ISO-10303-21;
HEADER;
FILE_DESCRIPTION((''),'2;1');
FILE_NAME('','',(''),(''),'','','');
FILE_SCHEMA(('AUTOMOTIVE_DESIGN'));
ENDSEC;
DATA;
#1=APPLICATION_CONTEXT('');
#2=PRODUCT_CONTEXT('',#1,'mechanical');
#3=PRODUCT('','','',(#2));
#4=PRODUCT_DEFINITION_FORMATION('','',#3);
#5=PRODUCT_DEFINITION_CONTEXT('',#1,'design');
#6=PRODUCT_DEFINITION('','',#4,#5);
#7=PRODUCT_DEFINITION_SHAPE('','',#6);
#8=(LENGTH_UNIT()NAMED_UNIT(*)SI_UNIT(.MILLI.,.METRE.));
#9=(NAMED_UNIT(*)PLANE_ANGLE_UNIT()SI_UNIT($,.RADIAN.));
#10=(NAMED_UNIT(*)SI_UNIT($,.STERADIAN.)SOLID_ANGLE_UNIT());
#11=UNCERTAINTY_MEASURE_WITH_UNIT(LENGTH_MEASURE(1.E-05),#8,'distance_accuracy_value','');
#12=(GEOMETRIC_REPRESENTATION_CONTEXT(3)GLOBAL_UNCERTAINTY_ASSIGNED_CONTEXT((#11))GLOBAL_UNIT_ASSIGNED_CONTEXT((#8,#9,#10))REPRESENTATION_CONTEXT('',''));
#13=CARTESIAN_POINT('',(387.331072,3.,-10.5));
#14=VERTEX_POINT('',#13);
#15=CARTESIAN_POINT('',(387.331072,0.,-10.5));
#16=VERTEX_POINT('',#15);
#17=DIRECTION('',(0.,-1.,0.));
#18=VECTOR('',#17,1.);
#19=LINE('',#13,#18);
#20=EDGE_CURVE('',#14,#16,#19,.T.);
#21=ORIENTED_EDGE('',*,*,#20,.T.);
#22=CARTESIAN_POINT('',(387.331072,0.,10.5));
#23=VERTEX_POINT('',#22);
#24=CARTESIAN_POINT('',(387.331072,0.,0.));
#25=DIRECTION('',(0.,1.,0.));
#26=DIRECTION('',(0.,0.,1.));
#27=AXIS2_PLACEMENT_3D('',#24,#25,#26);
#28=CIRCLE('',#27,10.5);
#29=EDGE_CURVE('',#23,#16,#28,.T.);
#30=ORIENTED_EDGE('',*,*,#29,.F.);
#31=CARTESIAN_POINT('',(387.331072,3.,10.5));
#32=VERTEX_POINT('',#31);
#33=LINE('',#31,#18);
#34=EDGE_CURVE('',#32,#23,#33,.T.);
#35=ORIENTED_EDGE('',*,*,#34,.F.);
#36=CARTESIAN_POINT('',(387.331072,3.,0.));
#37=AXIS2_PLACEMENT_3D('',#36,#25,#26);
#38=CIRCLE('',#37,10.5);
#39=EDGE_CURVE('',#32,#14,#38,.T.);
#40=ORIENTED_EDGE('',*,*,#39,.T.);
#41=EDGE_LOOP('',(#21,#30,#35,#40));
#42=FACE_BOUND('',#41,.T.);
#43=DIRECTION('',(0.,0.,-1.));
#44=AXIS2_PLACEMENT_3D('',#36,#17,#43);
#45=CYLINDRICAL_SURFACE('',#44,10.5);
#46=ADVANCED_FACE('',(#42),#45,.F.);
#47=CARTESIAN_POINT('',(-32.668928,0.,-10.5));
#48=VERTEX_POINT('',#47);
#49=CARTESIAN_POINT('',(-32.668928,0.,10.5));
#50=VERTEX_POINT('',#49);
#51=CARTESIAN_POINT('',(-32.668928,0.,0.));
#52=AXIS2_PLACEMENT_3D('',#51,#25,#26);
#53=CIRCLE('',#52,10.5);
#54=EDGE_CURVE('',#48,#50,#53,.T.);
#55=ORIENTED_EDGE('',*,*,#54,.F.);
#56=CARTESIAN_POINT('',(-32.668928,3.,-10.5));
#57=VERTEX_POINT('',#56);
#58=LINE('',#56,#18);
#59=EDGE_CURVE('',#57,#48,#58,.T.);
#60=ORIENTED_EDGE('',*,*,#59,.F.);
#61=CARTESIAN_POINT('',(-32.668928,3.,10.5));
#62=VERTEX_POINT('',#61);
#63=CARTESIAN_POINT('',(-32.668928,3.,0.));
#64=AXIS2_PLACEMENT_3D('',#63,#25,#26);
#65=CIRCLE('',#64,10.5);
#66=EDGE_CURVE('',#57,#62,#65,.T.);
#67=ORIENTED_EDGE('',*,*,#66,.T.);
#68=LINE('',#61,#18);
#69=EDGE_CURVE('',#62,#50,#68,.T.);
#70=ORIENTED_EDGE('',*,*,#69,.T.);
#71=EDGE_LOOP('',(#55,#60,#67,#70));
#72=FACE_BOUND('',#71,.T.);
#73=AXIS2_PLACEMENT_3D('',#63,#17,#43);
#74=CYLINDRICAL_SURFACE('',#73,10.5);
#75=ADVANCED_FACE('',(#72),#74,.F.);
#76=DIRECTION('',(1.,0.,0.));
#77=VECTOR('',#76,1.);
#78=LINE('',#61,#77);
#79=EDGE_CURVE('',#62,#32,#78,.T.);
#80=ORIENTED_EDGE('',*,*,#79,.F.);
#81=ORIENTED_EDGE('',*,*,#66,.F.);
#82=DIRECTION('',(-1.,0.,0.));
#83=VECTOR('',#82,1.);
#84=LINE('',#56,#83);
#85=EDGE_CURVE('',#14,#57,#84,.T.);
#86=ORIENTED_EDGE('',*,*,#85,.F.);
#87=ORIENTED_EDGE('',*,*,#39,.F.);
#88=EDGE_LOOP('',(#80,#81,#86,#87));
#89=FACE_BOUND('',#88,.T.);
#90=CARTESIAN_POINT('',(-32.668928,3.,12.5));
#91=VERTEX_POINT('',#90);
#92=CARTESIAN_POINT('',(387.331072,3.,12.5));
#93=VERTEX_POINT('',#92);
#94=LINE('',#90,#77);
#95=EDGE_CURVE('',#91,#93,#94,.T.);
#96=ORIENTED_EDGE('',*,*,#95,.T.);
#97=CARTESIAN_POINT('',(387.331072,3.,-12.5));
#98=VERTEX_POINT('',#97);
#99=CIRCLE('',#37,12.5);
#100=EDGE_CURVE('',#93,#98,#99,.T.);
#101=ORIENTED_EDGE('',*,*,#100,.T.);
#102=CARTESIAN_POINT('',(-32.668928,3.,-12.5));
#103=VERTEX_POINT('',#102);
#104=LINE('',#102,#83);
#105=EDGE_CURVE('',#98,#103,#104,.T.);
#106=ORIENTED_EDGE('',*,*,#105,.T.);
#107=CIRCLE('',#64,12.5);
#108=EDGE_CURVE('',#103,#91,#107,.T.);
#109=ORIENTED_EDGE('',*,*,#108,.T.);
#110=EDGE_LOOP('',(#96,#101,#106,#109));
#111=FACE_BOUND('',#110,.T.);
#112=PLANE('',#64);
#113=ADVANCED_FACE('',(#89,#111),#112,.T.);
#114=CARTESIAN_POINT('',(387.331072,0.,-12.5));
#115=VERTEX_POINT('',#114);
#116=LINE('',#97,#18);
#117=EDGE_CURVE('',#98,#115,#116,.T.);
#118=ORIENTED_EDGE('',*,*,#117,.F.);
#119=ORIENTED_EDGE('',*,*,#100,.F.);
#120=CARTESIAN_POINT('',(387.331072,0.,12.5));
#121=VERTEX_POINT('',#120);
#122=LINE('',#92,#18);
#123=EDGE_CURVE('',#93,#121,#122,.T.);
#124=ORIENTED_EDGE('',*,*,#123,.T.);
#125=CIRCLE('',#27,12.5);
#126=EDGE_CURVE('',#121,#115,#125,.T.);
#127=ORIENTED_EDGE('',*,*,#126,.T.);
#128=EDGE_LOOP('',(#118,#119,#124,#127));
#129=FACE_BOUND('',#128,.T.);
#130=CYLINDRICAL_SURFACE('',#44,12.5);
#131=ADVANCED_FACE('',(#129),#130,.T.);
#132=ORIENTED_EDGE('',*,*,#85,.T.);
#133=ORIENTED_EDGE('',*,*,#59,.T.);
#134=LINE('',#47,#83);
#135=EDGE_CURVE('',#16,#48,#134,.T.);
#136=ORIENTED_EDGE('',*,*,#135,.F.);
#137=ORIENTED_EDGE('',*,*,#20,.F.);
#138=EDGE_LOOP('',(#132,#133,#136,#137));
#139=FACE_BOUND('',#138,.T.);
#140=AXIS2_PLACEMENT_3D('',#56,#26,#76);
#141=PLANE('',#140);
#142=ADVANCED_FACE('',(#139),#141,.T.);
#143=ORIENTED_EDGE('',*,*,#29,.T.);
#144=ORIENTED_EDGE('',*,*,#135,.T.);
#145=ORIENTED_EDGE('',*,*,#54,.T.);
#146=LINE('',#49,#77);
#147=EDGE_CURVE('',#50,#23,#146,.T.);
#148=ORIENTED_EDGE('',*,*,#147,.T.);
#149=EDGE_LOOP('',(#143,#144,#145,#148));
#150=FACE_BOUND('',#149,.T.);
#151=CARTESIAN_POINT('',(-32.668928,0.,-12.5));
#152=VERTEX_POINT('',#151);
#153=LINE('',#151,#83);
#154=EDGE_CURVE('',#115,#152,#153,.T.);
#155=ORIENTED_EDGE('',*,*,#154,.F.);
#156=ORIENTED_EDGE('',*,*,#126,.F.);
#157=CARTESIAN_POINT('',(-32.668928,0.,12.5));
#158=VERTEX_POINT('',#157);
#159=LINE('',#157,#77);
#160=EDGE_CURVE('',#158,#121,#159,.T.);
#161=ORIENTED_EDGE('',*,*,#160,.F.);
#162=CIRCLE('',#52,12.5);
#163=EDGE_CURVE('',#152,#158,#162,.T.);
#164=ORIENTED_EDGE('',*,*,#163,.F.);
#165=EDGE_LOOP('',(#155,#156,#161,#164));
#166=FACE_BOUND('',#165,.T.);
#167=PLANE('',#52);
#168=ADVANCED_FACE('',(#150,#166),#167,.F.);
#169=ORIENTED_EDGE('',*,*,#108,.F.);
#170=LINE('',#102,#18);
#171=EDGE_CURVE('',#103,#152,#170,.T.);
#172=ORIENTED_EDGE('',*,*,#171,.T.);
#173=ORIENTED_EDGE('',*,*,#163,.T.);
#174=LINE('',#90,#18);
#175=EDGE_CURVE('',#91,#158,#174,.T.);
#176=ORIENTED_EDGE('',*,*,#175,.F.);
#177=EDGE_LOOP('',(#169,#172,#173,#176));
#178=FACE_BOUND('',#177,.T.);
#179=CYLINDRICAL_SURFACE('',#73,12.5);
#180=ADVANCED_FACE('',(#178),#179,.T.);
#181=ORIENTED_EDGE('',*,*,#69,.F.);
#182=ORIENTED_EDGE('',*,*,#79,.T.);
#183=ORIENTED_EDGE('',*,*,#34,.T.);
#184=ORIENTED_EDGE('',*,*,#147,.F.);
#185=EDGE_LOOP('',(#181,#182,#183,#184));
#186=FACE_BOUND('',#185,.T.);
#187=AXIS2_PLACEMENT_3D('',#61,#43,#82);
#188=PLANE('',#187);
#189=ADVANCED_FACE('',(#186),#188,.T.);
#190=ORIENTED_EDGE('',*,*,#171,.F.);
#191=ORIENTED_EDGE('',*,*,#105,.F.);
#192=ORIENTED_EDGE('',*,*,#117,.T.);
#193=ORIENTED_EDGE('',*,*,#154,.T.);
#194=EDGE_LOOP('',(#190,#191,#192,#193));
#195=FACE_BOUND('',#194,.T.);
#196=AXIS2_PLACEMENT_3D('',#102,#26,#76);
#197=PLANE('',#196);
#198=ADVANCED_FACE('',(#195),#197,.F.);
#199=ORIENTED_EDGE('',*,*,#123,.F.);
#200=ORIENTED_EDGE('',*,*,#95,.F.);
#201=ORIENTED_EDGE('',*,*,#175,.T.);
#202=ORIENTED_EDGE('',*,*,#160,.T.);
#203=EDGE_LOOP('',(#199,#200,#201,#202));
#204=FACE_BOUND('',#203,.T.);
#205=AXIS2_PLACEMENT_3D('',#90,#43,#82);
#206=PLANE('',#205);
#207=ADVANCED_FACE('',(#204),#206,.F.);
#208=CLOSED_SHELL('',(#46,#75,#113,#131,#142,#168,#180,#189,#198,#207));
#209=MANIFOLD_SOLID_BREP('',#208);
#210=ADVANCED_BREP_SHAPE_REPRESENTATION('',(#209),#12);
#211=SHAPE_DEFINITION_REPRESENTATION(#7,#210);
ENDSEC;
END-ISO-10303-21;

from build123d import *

# Parameters (mm, degrees)
BOSS_EXTRUDE1_DEPTH = 3


with BuildPart() as part:
    # Sketch1 → Boss-Extrude1 (new body)
    with BuildSketch(Plane(origin=(0, 0, 0), x_dir=(1, 0, 0), z_dir=(0, 1, 0))):
        with BuildLine():
            Line((-32.668928407, 12.5), (387.331071593, 12.5))
            ThreePointArc((387.331071593, 12.5), (399.831071593, 0), (387.331071593, -12.5))
            Line((387.331071593, -12.5), (-32.668928407, -12.5))
            ThreePointArc((-32.668928407, -12.5), (-45.168928407, 0), (-32.668928407, 12.5))
        make_face()
        with BuildLine():
            Line((-32.668928407, 10.5), (387.331071593, 10.5))
            ThreePointArc((387.331071593, 10.5), (397.831071593, 0), (387.331071593, -10.5))
            Line((387.331071593, -10.5), (-32.668928407, -10.5))
            ThreePointArc((-32.668928407, -10.5), (-43.168928407, 0), (-32.668928407, 10.5))
        make_face(mode=Mode.SUBTRACT)
    extrude(amount=BOSS_EXTRUDE1_DEPTH)


solid = part.part
